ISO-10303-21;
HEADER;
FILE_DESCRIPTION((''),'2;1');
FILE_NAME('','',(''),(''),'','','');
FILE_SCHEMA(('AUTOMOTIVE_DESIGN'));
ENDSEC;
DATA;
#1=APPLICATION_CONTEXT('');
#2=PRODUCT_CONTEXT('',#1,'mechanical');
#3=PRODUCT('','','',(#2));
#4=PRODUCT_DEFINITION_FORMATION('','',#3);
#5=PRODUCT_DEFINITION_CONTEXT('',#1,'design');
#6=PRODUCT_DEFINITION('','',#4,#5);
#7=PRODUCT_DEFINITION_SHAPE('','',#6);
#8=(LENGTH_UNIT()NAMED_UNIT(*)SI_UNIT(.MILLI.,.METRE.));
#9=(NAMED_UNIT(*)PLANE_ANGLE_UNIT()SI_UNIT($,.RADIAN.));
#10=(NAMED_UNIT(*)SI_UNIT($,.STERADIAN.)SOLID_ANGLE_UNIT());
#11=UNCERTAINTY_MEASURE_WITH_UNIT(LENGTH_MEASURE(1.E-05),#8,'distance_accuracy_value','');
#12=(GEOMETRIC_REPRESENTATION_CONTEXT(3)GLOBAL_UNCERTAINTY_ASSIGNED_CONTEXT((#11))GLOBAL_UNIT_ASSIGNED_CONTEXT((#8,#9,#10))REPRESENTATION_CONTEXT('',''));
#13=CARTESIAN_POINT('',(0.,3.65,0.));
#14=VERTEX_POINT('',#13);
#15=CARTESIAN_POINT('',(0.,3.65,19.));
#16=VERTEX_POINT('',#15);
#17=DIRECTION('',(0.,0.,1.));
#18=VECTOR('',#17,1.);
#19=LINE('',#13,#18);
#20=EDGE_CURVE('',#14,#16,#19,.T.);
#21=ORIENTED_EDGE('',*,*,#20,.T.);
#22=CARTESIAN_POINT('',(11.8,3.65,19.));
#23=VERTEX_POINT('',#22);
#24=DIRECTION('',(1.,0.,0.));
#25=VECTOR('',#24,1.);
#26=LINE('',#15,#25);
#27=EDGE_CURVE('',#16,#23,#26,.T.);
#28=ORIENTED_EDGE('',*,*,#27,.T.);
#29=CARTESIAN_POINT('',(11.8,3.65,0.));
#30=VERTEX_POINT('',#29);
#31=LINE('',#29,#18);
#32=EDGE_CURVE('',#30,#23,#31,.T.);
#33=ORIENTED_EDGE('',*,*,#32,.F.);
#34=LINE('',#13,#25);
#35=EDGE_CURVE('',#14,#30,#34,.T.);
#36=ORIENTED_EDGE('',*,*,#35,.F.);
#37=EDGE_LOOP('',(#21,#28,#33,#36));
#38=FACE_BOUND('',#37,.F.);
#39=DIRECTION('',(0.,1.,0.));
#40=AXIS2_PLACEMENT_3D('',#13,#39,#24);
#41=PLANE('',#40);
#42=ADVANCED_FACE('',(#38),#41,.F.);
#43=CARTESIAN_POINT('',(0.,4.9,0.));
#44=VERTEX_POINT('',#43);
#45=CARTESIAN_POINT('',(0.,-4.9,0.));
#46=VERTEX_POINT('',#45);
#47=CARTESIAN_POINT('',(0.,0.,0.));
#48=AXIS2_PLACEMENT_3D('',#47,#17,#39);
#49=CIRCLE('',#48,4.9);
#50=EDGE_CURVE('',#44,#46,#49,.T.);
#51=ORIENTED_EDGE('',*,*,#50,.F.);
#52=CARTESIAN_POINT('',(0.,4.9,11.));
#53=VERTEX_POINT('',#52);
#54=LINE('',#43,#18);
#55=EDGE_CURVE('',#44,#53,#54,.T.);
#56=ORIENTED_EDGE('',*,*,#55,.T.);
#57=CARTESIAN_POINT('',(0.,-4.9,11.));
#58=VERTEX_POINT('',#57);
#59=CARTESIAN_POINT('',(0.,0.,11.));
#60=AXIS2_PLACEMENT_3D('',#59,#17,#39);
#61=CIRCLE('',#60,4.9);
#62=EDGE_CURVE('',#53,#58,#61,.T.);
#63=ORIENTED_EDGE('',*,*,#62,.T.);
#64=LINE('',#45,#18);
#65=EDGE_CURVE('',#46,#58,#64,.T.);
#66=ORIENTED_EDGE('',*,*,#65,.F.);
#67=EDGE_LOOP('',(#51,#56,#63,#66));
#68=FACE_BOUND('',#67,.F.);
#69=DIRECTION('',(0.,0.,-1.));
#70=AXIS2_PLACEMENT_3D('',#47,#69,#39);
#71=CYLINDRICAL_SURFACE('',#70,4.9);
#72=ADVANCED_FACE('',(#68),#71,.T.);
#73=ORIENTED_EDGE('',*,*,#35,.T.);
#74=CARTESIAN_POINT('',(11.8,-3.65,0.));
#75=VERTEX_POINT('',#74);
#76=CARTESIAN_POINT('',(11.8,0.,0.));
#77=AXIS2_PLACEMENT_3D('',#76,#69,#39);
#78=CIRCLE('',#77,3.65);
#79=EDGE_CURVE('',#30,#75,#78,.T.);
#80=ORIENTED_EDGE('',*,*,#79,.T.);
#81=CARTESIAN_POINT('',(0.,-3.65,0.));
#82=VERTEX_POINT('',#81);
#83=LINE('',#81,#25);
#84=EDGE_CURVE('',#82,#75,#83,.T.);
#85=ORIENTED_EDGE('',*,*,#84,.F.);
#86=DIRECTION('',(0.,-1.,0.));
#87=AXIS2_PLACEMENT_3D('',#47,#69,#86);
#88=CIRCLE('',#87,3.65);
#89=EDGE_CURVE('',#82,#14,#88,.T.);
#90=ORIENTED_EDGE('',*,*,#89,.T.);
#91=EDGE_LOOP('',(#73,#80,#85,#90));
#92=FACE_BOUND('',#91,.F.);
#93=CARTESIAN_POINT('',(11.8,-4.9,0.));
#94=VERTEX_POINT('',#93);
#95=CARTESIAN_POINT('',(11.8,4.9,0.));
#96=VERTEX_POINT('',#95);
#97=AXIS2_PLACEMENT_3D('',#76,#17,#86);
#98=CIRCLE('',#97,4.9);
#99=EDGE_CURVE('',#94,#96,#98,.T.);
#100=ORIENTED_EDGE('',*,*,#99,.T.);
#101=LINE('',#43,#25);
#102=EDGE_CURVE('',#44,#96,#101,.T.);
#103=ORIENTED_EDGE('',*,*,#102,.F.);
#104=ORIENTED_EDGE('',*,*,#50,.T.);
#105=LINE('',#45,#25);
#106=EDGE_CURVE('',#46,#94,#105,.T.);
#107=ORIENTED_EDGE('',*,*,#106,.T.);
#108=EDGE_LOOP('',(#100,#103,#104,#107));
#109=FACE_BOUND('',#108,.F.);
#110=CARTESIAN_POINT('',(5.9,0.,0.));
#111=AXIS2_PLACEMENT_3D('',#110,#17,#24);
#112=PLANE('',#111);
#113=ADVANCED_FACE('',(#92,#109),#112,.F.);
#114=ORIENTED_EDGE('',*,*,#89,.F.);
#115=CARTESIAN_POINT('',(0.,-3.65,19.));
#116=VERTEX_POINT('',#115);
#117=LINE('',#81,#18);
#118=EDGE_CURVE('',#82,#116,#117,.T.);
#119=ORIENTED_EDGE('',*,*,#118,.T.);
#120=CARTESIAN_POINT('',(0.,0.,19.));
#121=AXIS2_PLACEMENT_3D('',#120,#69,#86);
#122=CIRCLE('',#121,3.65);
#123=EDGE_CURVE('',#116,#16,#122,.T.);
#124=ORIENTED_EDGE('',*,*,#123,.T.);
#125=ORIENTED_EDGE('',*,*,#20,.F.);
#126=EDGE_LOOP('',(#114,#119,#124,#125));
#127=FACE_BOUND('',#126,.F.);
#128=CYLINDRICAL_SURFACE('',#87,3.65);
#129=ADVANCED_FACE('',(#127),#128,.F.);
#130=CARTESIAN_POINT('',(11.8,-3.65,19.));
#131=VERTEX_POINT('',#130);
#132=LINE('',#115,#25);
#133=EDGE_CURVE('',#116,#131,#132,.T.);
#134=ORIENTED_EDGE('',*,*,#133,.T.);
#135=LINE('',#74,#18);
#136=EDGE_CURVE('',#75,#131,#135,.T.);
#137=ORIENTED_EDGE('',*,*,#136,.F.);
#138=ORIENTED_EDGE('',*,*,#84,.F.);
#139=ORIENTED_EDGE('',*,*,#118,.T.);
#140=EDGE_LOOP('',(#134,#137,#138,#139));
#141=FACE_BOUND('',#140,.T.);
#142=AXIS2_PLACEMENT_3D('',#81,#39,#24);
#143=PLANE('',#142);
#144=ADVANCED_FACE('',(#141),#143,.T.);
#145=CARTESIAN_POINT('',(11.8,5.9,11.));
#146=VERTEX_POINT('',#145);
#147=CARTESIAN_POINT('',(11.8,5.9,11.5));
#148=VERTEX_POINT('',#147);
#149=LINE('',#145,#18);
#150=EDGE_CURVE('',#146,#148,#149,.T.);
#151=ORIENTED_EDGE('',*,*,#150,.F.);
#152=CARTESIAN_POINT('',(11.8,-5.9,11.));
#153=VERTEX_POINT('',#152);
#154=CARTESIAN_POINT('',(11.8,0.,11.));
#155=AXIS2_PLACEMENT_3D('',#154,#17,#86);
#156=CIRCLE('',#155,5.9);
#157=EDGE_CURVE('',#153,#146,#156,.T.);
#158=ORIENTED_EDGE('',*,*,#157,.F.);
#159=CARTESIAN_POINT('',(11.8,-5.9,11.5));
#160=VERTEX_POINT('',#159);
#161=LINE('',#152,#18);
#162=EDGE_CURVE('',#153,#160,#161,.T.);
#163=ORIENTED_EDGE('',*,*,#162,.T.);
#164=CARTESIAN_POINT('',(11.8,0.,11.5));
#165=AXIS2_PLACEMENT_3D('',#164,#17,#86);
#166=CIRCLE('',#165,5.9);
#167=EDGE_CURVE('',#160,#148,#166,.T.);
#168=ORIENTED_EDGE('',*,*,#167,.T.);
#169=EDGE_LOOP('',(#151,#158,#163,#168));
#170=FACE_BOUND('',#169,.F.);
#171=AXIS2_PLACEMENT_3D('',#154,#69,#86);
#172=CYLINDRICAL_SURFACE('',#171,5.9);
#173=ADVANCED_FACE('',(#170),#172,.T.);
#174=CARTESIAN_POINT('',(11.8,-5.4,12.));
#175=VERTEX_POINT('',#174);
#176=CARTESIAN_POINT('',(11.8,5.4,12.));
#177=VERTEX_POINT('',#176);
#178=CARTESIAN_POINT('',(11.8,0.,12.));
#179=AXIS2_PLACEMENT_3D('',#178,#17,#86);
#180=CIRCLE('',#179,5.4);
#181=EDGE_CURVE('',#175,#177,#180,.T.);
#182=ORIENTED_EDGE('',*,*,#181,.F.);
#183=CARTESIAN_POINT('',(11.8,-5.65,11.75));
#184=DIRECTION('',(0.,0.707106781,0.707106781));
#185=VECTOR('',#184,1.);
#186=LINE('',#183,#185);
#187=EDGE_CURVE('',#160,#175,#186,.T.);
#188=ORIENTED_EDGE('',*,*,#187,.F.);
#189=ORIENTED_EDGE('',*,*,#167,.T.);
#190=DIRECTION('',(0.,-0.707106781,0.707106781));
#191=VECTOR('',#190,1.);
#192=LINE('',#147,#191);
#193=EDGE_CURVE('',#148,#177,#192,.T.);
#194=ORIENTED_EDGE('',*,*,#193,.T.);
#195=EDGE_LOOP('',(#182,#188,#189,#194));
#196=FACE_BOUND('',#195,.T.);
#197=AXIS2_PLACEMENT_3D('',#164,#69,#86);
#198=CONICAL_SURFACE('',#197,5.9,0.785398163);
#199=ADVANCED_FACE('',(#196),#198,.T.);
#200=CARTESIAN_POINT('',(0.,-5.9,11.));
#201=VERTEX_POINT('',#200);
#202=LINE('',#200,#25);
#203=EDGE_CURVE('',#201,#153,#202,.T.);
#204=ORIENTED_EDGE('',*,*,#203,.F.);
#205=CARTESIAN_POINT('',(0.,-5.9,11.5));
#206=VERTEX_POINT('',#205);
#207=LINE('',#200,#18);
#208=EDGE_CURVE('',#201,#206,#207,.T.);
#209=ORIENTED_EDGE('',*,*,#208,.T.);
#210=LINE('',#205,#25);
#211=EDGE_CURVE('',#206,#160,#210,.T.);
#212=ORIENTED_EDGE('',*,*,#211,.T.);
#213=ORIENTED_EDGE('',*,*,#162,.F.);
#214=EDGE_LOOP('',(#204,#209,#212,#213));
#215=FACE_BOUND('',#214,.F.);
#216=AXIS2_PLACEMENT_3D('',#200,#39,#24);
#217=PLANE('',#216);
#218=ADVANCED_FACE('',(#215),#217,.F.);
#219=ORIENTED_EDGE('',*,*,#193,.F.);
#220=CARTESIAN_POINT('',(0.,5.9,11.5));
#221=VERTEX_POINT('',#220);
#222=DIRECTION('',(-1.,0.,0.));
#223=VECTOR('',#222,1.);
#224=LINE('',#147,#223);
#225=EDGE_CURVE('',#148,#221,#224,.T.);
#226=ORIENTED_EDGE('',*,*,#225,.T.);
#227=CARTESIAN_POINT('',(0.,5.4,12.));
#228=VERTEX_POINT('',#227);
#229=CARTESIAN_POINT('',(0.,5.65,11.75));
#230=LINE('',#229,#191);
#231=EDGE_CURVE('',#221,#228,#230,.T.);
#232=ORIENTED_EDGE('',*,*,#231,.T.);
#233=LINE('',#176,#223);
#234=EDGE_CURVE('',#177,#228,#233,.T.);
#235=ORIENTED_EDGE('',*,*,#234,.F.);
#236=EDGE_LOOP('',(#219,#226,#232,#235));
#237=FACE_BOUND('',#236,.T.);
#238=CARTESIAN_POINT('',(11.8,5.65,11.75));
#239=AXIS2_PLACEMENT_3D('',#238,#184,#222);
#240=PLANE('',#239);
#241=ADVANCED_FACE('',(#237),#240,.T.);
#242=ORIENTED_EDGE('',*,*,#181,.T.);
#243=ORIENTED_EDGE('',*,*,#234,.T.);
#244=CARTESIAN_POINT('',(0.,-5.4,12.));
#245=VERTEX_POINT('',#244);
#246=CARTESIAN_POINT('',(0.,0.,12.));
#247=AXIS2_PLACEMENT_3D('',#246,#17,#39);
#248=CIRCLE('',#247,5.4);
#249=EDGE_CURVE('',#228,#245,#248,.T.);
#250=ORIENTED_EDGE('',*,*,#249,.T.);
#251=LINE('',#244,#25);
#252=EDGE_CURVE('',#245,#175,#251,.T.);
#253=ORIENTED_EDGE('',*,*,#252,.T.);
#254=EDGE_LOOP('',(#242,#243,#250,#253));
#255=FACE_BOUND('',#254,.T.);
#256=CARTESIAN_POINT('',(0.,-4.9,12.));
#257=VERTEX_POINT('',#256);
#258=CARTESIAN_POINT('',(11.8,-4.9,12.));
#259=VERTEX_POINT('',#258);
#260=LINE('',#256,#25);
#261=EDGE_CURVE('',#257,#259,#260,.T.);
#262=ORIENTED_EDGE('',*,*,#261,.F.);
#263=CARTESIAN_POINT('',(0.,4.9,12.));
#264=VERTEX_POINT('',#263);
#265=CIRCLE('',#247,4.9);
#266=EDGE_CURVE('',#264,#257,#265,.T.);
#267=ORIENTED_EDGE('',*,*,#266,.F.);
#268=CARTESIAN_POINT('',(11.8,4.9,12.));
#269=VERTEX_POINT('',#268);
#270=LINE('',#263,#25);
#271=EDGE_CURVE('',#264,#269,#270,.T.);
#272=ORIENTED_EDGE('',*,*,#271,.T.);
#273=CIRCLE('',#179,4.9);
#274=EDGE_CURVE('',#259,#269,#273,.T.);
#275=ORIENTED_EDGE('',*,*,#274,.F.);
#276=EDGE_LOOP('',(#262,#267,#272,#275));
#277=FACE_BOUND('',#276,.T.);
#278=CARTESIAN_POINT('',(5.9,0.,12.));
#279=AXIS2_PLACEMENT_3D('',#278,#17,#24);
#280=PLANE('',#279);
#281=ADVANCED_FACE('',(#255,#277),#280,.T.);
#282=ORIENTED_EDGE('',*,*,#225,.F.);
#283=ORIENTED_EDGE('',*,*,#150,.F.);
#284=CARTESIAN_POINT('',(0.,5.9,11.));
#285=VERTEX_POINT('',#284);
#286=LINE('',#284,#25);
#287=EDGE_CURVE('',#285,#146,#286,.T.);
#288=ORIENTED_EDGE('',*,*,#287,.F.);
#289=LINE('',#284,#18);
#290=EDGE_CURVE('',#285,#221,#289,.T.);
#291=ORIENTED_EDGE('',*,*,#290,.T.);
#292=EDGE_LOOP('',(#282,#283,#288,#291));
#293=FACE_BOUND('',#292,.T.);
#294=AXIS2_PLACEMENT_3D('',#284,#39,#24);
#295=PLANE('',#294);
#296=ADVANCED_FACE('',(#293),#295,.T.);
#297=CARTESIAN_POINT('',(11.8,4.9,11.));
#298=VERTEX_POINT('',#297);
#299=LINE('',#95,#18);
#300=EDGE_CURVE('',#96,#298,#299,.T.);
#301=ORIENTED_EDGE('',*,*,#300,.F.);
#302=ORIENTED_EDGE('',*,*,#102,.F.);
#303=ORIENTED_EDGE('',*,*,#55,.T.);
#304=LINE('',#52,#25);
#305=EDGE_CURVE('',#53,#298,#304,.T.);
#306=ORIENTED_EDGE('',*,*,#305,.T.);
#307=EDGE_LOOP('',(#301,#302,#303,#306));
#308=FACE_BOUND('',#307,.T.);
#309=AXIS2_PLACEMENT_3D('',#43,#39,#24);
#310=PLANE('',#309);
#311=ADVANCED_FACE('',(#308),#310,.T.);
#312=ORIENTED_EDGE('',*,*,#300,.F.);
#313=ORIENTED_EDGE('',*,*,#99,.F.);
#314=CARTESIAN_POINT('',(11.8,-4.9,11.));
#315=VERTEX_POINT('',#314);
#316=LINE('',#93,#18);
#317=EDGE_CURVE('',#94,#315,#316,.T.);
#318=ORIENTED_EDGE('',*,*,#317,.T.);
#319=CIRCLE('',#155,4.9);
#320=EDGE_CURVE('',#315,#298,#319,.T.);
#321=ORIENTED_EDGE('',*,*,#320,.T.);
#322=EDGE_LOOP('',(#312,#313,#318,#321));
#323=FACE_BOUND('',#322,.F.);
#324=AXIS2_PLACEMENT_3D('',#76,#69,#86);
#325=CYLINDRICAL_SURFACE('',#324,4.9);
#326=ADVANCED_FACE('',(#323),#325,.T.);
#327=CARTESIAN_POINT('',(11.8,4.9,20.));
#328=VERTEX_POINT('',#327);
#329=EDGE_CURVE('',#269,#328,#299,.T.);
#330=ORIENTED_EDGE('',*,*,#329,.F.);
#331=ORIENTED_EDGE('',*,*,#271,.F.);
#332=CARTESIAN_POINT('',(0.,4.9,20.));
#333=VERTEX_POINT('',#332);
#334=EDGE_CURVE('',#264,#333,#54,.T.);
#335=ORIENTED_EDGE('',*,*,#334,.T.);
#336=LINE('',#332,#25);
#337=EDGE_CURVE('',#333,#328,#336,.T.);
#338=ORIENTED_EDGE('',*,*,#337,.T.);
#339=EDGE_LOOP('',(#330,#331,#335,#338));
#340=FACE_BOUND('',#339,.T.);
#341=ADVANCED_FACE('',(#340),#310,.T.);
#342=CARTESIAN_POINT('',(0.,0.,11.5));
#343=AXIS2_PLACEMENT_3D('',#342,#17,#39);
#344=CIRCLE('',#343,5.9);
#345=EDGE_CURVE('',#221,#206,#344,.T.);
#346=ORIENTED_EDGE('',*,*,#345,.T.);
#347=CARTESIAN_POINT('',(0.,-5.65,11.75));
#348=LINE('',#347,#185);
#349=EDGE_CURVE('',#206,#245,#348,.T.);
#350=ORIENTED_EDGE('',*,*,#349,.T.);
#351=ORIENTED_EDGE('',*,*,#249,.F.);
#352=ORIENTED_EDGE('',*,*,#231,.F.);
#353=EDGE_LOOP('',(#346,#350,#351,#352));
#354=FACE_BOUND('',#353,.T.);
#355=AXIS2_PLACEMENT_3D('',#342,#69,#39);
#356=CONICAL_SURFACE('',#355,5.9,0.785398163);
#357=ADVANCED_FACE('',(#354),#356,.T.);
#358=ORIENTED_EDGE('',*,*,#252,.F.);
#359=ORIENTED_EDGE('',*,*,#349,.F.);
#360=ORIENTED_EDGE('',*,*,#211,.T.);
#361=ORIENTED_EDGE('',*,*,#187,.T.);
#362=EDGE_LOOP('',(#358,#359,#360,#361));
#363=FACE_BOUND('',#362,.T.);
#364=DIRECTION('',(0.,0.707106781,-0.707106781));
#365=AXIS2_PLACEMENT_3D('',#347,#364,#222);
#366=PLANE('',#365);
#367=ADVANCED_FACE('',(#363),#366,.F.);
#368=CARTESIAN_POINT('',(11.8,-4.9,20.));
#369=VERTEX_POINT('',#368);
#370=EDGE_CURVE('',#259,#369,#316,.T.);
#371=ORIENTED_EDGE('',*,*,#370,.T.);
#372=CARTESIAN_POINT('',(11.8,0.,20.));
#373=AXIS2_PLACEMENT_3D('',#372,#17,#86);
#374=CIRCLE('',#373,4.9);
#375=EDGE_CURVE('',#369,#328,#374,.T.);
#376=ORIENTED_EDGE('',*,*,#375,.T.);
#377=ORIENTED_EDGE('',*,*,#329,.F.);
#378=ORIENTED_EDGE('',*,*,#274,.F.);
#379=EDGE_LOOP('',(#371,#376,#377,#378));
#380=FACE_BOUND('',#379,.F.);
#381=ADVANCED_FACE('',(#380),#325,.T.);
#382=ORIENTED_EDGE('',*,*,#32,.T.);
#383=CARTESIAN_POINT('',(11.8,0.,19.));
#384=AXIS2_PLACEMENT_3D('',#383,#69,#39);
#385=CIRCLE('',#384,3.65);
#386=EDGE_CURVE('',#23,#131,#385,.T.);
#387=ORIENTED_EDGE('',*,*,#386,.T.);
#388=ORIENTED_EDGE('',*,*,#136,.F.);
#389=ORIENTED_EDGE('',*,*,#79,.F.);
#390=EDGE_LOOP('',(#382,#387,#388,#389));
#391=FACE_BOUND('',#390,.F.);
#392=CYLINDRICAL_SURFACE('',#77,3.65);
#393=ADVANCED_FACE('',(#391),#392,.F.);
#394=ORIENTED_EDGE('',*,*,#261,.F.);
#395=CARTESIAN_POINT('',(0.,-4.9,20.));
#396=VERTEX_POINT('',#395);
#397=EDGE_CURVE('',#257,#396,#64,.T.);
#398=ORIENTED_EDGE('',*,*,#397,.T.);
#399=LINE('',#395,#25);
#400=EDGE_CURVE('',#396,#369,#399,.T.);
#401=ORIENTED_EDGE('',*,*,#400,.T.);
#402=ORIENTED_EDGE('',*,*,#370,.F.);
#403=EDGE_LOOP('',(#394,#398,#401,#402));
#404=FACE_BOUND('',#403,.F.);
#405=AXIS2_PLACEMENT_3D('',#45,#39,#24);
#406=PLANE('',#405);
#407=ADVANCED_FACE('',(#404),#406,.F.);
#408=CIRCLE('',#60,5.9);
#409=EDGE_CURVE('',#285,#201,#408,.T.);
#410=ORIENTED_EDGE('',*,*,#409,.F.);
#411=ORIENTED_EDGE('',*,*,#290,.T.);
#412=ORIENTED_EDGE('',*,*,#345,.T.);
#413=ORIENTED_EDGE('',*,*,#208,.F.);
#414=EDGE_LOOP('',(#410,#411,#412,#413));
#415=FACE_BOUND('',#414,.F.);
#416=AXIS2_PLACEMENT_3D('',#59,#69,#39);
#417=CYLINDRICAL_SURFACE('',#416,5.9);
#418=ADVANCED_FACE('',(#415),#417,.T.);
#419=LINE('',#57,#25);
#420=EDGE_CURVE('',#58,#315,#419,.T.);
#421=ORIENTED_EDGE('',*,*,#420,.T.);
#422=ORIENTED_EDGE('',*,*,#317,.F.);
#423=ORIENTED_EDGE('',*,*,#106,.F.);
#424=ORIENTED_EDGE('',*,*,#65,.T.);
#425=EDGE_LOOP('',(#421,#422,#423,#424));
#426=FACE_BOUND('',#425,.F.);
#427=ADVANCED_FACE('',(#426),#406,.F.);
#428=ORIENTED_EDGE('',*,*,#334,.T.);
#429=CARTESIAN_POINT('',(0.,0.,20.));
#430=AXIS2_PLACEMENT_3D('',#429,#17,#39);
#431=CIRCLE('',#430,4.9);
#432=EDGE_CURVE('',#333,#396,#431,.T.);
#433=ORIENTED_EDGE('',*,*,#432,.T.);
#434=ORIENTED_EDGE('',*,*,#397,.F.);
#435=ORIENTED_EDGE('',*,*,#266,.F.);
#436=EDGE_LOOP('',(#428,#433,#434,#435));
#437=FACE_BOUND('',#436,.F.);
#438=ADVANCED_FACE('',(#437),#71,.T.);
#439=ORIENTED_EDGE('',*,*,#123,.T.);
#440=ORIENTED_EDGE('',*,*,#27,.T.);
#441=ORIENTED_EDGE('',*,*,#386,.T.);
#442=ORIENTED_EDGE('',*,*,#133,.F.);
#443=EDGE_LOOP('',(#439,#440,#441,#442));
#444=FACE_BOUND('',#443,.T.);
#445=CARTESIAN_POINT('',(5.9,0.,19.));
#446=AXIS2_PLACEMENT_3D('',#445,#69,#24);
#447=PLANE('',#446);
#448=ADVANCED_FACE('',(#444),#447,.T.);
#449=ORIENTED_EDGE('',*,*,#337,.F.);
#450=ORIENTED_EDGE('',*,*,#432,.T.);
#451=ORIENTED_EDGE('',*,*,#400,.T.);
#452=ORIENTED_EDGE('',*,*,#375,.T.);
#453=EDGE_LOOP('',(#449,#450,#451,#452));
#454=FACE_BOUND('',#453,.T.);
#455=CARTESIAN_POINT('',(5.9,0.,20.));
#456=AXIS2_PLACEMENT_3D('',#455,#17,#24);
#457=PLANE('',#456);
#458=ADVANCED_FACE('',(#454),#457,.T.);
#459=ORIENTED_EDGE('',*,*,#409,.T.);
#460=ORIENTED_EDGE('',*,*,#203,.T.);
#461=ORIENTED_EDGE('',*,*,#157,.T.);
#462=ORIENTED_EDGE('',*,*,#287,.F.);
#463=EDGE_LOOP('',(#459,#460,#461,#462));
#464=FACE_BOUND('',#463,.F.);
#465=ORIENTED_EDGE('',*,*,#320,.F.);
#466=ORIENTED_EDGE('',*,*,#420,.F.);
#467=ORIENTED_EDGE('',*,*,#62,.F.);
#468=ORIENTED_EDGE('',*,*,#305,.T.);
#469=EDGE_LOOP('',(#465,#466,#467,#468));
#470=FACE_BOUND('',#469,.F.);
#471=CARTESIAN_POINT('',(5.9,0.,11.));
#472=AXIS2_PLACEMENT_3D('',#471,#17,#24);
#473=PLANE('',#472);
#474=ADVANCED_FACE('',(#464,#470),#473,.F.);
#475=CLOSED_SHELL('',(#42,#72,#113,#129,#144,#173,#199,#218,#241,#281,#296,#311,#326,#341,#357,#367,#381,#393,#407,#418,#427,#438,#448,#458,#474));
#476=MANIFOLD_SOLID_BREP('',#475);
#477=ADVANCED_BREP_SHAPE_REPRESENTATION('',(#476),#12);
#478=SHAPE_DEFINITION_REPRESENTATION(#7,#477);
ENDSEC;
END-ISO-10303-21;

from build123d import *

# Parameters (mm, degrees)
PAD001_DEPTH = 1
CHAMFER_SIZE = 0.5
PAD_DEPTH    = 20
POCKET_DEPTH = 19


with BuildPart() as chamfer_body:
    # Sketch003 → Pad001 (new body)
    with BuildSketch(Plane.XY.offset(11)):
        with BuildLine():
            ThreePointArc((0, 5.9), (-5.9, 0), (0, -5.9))
            Line((0, -5.9), (11.8, -5.9))
            ThreePointArc((11.8, -5.9), (17.7, 0), (11.8, 5.9))
            Line((0, 5.9), (11.8, 5.9))
        make_face()
        with BuildLine():
            ThreePointArc((0, 4.9), (-4.9, 0), (0, -4.9))
            Line((0, -4.9), (11.8, -4.9))
            ThreePointArc((11.8, -4.9), (16.7, 0), (11.8, 4.9))
            Line((0, 4.9), (11.8, 4.9))
        make_face(mode=Mode.SUBTRACT)
    extrude(amount=PAD001_DEPTH)

    # Chamfer
    chamfer_edges = [chamfer_body.edges().sort_by_distance(p)[0] for p in [
        (5.9, -5.9, 12),
        (-5.9, 0, 12),
        (17.7, 0, 12),
        (5.9, 5.9, 12),
    ]]
    chamfer(chamfer_edges, length=CHAMFER_SIZE)


with BuildPart() as fusion:
    # Sketch → Pad (new body)
    with BuildSketch(Plane.XY):
        with BuildLine():
            ThreePointArc((0, 4.9), (-4.9, 0), (0, -4.9))
            Line((0, -4.9), (11.8, -4.9))
            ThreePointArc((11.8, -4.9), (16.7, 0), (11.8, 4.9))
            Line((0, 4.9), (11.8, 4.9))
        make_face()
    extrude(amount=PAD_DEPTH)

    # Sketch001 → Pocket (cut)
    with BuildSketch(Plane(origin=(0, 0, 0), x_dir=(1, 0, 0), z_dir=(0, 0, -1))):
        with BuildLine():
            ThreePointArc((0, 3.65), (-3.65, 0), (0, -3.65))
            Line((0, -3.65), (11.8, -3.65))
            ThreePointArc((11.8, -3.65), (15.45, 0), (11.8, 3.65))
            Line((0, 3.65), (11.8, 3.65))
        make_face()
    extrude(amount=-POCKET_DEPTH, mode=Mode.SUBTRACT)

    # Fusion: union Chamfer body
    add(chamfer_body.part)


solid = fusion.part
